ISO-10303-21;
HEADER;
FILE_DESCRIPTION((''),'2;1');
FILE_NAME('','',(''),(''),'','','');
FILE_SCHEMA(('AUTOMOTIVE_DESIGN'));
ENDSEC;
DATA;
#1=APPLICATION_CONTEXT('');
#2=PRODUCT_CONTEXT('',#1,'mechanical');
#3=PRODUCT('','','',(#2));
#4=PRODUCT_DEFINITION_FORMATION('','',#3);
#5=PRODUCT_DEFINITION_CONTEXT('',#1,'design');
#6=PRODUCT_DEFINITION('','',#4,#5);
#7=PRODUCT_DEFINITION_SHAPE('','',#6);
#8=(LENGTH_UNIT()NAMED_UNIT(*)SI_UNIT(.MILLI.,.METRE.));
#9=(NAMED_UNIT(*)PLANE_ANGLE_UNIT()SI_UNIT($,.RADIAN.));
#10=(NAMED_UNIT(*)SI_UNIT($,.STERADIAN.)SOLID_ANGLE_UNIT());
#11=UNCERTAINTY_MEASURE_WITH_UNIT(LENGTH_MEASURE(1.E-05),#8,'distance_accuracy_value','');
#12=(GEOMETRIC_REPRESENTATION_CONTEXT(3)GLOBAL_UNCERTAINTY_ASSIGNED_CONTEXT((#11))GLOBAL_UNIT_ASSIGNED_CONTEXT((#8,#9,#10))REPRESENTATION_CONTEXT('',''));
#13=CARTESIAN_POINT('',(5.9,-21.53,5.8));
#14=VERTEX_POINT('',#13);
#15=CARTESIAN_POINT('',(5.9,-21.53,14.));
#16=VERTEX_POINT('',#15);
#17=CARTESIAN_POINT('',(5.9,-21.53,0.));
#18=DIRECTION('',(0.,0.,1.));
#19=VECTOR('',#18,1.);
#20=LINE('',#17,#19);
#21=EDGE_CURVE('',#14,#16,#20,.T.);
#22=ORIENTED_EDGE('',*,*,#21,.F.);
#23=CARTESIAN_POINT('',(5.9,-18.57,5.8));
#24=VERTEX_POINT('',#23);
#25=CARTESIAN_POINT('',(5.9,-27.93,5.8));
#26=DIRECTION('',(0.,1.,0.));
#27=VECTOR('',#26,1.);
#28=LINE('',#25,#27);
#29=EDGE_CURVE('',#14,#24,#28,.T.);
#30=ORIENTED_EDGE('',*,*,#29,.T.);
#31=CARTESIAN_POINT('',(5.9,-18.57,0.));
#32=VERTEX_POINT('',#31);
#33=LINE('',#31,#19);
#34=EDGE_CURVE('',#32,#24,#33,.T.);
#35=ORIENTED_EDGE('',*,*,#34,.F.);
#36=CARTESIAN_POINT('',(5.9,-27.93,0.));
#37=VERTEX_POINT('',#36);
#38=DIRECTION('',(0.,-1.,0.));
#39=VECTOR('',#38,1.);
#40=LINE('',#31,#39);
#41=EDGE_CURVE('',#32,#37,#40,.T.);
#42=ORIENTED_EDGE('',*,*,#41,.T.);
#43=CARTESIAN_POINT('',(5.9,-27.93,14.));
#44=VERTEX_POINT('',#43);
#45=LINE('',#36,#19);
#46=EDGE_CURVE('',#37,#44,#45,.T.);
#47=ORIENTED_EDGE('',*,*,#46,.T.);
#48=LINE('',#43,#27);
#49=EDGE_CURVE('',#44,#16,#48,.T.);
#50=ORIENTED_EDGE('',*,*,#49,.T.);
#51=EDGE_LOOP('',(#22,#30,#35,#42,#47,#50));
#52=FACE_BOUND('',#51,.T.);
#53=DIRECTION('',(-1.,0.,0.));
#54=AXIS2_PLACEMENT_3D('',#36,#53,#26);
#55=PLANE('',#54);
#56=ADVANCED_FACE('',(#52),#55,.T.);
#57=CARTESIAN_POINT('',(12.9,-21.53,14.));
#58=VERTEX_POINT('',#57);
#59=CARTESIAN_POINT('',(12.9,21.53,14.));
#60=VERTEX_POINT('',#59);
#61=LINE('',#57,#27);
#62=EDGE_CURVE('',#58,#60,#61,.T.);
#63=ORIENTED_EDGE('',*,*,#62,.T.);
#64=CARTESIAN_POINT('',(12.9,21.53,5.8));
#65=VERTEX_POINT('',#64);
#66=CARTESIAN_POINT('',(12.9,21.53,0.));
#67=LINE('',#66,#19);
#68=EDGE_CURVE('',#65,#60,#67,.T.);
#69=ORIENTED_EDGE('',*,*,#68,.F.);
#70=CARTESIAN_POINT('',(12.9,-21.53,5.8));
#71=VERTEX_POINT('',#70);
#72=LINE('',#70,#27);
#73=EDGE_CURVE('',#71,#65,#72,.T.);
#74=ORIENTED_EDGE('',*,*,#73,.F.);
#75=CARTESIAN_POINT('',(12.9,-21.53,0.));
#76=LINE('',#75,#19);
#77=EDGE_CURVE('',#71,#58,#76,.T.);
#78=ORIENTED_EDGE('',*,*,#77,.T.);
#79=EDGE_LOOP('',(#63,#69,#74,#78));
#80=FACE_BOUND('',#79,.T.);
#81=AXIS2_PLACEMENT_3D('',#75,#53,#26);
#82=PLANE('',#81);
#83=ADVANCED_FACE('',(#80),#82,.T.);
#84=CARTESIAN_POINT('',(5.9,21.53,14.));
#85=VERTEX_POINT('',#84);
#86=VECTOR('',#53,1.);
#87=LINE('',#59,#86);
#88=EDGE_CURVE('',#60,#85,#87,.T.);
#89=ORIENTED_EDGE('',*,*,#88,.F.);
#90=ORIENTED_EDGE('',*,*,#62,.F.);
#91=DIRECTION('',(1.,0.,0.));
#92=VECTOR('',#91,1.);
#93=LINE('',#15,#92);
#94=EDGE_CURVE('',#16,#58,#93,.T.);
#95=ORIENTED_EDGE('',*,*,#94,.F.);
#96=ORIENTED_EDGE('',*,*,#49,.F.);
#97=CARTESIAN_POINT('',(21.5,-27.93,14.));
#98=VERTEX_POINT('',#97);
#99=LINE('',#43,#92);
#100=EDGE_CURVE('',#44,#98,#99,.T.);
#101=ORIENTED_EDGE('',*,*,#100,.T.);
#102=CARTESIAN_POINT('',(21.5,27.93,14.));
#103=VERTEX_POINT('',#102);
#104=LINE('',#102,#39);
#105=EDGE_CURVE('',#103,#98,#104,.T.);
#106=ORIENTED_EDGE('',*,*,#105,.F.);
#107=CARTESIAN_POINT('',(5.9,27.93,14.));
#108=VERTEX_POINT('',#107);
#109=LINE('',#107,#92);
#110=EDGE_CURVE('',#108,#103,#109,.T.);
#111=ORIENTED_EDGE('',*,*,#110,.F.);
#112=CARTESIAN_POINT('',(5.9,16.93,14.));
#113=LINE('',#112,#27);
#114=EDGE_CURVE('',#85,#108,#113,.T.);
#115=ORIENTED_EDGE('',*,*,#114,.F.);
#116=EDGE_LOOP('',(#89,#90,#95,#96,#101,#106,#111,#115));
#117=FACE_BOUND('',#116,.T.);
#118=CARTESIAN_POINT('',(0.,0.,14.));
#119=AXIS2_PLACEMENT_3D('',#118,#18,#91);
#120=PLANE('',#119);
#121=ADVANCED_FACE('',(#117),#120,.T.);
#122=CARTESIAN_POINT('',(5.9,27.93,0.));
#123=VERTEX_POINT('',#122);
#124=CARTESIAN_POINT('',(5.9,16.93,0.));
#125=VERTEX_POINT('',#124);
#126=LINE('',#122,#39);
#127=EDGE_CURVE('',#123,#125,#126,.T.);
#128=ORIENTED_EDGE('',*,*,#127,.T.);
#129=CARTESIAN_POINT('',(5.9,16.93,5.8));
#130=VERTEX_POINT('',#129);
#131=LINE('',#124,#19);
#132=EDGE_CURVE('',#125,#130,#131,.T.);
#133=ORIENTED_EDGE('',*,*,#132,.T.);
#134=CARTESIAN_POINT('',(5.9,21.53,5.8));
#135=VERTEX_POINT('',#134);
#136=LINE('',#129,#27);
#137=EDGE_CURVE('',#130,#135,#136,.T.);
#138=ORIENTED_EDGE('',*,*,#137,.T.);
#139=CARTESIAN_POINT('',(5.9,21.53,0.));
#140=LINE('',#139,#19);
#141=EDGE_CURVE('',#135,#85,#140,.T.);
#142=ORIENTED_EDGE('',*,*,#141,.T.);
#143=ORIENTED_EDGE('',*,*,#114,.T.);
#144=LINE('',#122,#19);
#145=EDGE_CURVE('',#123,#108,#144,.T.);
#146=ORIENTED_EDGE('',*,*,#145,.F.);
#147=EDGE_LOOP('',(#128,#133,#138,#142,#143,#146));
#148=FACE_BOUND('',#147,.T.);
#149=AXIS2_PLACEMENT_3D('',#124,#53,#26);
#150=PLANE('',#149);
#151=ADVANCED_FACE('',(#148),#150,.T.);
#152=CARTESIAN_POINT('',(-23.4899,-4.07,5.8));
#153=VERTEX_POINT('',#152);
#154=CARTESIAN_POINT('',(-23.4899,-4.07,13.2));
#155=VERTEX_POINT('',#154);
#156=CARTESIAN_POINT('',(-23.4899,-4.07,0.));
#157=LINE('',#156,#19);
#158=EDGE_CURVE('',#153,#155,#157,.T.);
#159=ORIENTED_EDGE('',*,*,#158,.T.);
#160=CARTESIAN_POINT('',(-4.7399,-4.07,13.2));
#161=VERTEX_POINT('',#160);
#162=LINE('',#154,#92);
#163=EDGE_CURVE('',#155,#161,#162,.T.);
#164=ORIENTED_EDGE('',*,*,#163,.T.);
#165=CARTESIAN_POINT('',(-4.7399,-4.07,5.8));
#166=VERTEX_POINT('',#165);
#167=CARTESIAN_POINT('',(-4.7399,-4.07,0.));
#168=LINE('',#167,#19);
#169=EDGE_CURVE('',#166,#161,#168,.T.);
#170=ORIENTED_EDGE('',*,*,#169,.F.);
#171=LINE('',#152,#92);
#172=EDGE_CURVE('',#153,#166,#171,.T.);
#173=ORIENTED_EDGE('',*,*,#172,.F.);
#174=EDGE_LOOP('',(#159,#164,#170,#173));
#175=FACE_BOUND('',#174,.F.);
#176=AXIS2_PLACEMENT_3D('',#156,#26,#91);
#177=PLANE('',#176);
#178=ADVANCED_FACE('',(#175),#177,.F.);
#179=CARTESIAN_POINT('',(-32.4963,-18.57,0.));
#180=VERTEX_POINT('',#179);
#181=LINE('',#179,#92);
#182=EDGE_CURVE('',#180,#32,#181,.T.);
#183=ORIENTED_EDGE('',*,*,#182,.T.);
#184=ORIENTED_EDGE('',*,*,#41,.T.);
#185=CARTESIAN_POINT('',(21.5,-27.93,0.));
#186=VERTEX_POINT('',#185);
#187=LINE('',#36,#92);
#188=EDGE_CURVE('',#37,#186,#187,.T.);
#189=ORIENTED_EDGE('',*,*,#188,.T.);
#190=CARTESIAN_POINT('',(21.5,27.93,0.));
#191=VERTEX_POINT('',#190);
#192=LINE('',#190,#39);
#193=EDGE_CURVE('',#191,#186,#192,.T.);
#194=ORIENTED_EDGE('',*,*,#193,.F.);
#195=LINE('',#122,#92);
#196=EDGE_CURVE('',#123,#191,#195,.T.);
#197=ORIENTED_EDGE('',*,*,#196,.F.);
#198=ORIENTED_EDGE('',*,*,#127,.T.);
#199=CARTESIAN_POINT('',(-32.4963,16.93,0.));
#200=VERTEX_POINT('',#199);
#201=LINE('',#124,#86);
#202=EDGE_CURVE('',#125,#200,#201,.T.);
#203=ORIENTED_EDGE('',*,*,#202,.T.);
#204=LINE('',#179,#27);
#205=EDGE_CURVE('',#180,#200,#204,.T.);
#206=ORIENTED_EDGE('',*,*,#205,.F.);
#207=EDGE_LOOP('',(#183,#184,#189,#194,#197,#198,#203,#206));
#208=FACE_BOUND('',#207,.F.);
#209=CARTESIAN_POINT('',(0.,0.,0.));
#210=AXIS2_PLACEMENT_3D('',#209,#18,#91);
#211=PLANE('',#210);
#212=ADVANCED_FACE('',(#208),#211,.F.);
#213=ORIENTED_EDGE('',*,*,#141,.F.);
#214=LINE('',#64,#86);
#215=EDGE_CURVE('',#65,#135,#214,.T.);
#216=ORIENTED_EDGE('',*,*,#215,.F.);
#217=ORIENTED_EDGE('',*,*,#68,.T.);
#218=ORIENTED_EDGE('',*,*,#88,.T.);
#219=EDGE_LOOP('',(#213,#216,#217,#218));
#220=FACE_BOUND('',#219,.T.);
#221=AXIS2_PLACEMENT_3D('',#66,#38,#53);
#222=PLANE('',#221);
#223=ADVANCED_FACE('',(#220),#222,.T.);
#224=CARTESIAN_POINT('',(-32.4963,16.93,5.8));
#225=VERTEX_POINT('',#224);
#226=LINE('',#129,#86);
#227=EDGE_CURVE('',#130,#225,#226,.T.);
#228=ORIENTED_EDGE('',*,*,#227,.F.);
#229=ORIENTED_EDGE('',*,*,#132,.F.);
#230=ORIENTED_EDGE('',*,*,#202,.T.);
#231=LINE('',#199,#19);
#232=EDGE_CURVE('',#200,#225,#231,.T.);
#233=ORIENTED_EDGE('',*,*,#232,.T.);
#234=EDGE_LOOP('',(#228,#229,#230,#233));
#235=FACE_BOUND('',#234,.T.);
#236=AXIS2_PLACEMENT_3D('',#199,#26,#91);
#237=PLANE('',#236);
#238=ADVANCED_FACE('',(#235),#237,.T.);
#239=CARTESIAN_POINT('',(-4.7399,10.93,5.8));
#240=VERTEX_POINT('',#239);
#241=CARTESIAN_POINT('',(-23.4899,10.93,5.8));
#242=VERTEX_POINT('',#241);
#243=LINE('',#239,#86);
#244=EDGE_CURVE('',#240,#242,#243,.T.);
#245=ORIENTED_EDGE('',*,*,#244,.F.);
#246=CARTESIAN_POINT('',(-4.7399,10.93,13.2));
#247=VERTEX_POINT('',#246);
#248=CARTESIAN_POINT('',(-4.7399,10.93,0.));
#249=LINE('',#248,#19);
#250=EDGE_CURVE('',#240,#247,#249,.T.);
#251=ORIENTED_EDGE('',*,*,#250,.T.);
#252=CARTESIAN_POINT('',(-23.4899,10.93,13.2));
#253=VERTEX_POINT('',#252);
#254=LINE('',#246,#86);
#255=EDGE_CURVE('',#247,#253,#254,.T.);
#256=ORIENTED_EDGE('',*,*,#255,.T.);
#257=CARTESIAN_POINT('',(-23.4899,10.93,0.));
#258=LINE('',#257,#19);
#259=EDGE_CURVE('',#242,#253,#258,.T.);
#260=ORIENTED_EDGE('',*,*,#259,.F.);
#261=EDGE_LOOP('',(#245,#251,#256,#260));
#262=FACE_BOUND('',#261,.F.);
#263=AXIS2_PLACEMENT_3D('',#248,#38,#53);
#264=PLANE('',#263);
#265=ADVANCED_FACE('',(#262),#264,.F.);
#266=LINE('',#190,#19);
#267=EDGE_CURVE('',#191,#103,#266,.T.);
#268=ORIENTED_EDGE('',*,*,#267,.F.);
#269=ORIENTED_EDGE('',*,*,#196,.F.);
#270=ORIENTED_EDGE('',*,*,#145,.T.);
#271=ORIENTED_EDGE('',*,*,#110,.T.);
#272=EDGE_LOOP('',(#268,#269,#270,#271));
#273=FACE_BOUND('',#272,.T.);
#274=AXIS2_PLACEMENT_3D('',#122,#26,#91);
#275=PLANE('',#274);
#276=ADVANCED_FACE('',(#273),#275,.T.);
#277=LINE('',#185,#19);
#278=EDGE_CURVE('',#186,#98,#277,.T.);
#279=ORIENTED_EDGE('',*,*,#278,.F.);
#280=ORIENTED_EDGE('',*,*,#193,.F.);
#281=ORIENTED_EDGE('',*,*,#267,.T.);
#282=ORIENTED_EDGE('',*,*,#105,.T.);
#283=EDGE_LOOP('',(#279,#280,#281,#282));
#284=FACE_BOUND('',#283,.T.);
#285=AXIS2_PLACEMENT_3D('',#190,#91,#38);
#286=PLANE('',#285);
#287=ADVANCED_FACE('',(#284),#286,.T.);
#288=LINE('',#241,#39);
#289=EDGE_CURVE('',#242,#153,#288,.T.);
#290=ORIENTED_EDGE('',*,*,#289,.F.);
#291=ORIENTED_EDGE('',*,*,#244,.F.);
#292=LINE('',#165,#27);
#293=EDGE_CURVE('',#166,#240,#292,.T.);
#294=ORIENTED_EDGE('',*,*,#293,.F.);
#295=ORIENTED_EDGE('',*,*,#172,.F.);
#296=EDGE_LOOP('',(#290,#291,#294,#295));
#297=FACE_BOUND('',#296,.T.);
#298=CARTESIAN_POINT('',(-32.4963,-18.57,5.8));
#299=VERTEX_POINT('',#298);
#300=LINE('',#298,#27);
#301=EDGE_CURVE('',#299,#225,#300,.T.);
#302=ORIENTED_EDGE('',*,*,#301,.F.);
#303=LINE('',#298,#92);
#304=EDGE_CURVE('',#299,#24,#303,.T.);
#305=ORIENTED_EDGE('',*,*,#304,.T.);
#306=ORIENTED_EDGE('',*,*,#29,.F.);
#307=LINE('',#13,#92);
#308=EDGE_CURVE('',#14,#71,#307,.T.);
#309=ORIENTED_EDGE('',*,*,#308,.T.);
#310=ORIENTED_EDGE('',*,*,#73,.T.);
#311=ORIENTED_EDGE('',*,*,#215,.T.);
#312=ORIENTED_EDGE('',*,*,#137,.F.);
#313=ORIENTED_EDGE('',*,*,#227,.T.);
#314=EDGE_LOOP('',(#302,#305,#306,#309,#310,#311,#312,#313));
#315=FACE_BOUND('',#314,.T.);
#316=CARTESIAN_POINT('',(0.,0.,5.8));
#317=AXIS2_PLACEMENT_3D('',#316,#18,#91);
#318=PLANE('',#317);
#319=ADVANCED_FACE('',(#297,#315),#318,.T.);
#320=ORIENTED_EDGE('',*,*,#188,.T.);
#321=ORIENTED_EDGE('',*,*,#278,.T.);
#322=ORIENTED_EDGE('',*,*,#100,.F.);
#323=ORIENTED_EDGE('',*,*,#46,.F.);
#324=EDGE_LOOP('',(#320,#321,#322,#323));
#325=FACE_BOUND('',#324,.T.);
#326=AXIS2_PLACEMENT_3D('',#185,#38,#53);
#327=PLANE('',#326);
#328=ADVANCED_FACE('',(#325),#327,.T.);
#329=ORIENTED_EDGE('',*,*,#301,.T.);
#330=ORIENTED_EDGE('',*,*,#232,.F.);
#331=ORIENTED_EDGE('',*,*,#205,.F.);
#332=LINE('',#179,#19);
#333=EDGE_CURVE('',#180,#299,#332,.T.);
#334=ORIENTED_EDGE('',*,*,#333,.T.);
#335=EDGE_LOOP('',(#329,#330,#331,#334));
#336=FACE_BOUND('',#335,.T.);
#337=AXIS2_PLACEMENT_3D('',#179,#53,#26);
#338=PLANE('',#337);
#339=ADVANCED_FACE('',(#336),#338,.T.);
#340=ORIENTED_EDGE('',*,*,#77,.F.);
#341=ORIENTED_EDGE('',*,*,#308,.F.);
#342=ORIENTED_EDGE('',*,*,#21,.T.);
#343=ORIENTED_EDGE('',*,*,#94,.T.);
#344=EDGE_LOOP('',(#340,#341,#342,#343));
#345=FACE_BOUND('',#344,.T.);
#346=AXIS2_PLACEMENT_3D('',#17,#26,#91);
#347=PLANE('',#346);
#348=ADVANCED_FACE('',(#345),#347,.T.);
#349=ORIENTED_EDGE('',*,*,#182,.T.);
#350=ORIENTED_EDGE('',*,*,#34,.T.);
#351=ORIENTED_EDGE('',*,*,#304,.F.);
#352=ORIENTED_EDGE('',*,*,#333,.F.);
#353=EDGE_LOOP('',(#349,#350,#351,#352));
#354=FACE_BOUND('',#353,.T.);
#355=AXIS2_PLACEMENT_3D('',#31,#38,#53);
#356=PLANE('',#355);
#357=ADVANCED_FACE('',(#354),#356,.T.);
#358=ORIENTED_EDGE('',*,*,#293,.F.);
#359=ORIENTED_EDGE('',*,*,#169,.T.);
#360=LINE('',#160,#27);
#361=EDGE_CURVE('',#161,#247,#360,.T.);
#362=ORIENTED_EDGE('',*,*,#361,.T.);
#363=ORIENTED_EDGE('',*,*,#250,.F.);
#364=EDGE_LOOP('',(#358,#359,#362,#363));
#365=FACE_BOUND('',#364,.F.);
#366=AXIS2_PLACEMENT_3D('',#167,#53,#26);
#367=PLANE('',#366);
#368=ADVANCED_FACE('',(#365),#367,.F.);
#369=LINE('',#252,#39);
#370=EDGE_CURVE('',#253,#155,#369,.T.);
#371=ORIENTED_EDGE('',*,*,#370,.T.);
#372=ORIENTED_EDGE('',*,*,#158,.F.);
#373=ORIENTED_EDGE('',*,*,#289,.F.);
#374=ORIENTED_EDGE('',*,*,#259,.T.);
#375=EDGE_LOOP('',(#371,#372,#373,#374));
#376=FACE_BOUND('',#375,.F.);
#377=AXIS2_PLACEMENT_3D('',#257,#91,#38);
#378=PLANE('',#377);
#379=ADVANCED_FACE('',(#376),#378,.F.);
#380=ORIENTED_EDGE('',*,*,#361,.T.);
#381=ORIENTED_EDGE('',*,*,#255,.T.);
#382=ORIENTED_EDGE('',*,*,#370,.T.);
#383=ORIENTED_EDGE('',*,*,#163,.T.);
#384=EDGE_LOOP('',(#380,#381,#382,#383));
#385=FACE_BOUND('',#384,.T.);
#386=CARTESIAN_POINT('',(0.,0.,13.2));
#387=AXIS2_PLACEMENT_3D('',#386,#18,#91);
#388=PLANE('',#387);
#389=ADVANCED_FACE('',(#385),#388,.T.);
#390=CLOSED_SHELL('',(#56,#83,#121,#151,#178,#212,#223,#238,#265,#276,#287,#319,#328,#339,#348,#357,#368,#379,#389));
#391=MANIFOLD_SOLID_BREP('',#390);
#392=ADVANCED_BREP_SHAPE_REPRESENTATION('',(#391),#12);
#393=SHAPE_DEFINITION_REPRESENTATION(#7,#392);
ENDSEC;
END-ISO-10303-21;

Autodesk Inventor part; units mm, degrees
ref_plane "YZ Plane" through (0, 0, 0) normal (1, 0, 0) x (0, 1, 0)
ref_plane "XZ Plane" through (0, 0, 0) normal (0, 1, 0) x (-1, 0, 0)
ref_plane "XY Plane" through (0, 0, 0) normal (0, 0, 1) x (1, 0, 0)
sketch "Sketch8" plane through (0, 0, 0) normal (0, 0, 1) x (1, 0, 0)
  line L0 (-23.4899, -4.07) -> (-4.7399, -4.07)
  line L1 (-4.7399, -4.07) -> (-4.7399, 10.93)
  line L2 (-4.7399, 10.93) -> (-23.4899, 10.93)
  line L3 (-23.4899, 10.93) -> (-23.4899, -4.07)
  line L4 (5.9, -21.53) -> (12.9, -21.53)
  line L5 (12.9, -21.53) -> (12.9, 21.53)
  line L6 (12.9, 21.53) -> (5.9, 21.53)
  line L7 (9.6, -27.93) -> (13.2, -27.93)
  line L8 (-21.4963, 16.93) -> (5.9, 16.93)
  line L9 (5.9, 16.93) -> (5.9, 27.93)
  line L10 (5.9, 27.93) -> (21.5, 27.93)
  line L11 (21.5, 27.93) -> (21.5, -27.93)
  line L12 (21.5, -27.93) -> (5.9, -27.93)
  line L13 (5.9, -27.93) -> (5.9, -18.57)
  line L14 (5.9, -18.57) -> (-21.4789, -18.57)
  line L15 (-21.4789, -18.57) -> (-32.4963, -18.57)
  line L16 (-32.4963, -18.57) -> (-32.4963, 16.93)
  line L17 (-32.4963, 16.93) -> (-21.4963, 16.93)
  point P0 (0, 0)
  point P1 (5.9, -27.93)
extrude "Extrusion10" add sketch "Sketch8" along normal blind 14 contours L4 L5 L6 L9 L10 L11 L12 L7 L13
extrude "Extrusion11" add sketch "Sketch8" along normal blind 13.2 contours L3 L2 L1 L0
extrude "Extrusion12" add sketch "Sketch8" along normal blind 5.8 contours L13 L14 L15 L16 L17 L8 L9 L6 L5 L4
properties part number "heatsink_2"
